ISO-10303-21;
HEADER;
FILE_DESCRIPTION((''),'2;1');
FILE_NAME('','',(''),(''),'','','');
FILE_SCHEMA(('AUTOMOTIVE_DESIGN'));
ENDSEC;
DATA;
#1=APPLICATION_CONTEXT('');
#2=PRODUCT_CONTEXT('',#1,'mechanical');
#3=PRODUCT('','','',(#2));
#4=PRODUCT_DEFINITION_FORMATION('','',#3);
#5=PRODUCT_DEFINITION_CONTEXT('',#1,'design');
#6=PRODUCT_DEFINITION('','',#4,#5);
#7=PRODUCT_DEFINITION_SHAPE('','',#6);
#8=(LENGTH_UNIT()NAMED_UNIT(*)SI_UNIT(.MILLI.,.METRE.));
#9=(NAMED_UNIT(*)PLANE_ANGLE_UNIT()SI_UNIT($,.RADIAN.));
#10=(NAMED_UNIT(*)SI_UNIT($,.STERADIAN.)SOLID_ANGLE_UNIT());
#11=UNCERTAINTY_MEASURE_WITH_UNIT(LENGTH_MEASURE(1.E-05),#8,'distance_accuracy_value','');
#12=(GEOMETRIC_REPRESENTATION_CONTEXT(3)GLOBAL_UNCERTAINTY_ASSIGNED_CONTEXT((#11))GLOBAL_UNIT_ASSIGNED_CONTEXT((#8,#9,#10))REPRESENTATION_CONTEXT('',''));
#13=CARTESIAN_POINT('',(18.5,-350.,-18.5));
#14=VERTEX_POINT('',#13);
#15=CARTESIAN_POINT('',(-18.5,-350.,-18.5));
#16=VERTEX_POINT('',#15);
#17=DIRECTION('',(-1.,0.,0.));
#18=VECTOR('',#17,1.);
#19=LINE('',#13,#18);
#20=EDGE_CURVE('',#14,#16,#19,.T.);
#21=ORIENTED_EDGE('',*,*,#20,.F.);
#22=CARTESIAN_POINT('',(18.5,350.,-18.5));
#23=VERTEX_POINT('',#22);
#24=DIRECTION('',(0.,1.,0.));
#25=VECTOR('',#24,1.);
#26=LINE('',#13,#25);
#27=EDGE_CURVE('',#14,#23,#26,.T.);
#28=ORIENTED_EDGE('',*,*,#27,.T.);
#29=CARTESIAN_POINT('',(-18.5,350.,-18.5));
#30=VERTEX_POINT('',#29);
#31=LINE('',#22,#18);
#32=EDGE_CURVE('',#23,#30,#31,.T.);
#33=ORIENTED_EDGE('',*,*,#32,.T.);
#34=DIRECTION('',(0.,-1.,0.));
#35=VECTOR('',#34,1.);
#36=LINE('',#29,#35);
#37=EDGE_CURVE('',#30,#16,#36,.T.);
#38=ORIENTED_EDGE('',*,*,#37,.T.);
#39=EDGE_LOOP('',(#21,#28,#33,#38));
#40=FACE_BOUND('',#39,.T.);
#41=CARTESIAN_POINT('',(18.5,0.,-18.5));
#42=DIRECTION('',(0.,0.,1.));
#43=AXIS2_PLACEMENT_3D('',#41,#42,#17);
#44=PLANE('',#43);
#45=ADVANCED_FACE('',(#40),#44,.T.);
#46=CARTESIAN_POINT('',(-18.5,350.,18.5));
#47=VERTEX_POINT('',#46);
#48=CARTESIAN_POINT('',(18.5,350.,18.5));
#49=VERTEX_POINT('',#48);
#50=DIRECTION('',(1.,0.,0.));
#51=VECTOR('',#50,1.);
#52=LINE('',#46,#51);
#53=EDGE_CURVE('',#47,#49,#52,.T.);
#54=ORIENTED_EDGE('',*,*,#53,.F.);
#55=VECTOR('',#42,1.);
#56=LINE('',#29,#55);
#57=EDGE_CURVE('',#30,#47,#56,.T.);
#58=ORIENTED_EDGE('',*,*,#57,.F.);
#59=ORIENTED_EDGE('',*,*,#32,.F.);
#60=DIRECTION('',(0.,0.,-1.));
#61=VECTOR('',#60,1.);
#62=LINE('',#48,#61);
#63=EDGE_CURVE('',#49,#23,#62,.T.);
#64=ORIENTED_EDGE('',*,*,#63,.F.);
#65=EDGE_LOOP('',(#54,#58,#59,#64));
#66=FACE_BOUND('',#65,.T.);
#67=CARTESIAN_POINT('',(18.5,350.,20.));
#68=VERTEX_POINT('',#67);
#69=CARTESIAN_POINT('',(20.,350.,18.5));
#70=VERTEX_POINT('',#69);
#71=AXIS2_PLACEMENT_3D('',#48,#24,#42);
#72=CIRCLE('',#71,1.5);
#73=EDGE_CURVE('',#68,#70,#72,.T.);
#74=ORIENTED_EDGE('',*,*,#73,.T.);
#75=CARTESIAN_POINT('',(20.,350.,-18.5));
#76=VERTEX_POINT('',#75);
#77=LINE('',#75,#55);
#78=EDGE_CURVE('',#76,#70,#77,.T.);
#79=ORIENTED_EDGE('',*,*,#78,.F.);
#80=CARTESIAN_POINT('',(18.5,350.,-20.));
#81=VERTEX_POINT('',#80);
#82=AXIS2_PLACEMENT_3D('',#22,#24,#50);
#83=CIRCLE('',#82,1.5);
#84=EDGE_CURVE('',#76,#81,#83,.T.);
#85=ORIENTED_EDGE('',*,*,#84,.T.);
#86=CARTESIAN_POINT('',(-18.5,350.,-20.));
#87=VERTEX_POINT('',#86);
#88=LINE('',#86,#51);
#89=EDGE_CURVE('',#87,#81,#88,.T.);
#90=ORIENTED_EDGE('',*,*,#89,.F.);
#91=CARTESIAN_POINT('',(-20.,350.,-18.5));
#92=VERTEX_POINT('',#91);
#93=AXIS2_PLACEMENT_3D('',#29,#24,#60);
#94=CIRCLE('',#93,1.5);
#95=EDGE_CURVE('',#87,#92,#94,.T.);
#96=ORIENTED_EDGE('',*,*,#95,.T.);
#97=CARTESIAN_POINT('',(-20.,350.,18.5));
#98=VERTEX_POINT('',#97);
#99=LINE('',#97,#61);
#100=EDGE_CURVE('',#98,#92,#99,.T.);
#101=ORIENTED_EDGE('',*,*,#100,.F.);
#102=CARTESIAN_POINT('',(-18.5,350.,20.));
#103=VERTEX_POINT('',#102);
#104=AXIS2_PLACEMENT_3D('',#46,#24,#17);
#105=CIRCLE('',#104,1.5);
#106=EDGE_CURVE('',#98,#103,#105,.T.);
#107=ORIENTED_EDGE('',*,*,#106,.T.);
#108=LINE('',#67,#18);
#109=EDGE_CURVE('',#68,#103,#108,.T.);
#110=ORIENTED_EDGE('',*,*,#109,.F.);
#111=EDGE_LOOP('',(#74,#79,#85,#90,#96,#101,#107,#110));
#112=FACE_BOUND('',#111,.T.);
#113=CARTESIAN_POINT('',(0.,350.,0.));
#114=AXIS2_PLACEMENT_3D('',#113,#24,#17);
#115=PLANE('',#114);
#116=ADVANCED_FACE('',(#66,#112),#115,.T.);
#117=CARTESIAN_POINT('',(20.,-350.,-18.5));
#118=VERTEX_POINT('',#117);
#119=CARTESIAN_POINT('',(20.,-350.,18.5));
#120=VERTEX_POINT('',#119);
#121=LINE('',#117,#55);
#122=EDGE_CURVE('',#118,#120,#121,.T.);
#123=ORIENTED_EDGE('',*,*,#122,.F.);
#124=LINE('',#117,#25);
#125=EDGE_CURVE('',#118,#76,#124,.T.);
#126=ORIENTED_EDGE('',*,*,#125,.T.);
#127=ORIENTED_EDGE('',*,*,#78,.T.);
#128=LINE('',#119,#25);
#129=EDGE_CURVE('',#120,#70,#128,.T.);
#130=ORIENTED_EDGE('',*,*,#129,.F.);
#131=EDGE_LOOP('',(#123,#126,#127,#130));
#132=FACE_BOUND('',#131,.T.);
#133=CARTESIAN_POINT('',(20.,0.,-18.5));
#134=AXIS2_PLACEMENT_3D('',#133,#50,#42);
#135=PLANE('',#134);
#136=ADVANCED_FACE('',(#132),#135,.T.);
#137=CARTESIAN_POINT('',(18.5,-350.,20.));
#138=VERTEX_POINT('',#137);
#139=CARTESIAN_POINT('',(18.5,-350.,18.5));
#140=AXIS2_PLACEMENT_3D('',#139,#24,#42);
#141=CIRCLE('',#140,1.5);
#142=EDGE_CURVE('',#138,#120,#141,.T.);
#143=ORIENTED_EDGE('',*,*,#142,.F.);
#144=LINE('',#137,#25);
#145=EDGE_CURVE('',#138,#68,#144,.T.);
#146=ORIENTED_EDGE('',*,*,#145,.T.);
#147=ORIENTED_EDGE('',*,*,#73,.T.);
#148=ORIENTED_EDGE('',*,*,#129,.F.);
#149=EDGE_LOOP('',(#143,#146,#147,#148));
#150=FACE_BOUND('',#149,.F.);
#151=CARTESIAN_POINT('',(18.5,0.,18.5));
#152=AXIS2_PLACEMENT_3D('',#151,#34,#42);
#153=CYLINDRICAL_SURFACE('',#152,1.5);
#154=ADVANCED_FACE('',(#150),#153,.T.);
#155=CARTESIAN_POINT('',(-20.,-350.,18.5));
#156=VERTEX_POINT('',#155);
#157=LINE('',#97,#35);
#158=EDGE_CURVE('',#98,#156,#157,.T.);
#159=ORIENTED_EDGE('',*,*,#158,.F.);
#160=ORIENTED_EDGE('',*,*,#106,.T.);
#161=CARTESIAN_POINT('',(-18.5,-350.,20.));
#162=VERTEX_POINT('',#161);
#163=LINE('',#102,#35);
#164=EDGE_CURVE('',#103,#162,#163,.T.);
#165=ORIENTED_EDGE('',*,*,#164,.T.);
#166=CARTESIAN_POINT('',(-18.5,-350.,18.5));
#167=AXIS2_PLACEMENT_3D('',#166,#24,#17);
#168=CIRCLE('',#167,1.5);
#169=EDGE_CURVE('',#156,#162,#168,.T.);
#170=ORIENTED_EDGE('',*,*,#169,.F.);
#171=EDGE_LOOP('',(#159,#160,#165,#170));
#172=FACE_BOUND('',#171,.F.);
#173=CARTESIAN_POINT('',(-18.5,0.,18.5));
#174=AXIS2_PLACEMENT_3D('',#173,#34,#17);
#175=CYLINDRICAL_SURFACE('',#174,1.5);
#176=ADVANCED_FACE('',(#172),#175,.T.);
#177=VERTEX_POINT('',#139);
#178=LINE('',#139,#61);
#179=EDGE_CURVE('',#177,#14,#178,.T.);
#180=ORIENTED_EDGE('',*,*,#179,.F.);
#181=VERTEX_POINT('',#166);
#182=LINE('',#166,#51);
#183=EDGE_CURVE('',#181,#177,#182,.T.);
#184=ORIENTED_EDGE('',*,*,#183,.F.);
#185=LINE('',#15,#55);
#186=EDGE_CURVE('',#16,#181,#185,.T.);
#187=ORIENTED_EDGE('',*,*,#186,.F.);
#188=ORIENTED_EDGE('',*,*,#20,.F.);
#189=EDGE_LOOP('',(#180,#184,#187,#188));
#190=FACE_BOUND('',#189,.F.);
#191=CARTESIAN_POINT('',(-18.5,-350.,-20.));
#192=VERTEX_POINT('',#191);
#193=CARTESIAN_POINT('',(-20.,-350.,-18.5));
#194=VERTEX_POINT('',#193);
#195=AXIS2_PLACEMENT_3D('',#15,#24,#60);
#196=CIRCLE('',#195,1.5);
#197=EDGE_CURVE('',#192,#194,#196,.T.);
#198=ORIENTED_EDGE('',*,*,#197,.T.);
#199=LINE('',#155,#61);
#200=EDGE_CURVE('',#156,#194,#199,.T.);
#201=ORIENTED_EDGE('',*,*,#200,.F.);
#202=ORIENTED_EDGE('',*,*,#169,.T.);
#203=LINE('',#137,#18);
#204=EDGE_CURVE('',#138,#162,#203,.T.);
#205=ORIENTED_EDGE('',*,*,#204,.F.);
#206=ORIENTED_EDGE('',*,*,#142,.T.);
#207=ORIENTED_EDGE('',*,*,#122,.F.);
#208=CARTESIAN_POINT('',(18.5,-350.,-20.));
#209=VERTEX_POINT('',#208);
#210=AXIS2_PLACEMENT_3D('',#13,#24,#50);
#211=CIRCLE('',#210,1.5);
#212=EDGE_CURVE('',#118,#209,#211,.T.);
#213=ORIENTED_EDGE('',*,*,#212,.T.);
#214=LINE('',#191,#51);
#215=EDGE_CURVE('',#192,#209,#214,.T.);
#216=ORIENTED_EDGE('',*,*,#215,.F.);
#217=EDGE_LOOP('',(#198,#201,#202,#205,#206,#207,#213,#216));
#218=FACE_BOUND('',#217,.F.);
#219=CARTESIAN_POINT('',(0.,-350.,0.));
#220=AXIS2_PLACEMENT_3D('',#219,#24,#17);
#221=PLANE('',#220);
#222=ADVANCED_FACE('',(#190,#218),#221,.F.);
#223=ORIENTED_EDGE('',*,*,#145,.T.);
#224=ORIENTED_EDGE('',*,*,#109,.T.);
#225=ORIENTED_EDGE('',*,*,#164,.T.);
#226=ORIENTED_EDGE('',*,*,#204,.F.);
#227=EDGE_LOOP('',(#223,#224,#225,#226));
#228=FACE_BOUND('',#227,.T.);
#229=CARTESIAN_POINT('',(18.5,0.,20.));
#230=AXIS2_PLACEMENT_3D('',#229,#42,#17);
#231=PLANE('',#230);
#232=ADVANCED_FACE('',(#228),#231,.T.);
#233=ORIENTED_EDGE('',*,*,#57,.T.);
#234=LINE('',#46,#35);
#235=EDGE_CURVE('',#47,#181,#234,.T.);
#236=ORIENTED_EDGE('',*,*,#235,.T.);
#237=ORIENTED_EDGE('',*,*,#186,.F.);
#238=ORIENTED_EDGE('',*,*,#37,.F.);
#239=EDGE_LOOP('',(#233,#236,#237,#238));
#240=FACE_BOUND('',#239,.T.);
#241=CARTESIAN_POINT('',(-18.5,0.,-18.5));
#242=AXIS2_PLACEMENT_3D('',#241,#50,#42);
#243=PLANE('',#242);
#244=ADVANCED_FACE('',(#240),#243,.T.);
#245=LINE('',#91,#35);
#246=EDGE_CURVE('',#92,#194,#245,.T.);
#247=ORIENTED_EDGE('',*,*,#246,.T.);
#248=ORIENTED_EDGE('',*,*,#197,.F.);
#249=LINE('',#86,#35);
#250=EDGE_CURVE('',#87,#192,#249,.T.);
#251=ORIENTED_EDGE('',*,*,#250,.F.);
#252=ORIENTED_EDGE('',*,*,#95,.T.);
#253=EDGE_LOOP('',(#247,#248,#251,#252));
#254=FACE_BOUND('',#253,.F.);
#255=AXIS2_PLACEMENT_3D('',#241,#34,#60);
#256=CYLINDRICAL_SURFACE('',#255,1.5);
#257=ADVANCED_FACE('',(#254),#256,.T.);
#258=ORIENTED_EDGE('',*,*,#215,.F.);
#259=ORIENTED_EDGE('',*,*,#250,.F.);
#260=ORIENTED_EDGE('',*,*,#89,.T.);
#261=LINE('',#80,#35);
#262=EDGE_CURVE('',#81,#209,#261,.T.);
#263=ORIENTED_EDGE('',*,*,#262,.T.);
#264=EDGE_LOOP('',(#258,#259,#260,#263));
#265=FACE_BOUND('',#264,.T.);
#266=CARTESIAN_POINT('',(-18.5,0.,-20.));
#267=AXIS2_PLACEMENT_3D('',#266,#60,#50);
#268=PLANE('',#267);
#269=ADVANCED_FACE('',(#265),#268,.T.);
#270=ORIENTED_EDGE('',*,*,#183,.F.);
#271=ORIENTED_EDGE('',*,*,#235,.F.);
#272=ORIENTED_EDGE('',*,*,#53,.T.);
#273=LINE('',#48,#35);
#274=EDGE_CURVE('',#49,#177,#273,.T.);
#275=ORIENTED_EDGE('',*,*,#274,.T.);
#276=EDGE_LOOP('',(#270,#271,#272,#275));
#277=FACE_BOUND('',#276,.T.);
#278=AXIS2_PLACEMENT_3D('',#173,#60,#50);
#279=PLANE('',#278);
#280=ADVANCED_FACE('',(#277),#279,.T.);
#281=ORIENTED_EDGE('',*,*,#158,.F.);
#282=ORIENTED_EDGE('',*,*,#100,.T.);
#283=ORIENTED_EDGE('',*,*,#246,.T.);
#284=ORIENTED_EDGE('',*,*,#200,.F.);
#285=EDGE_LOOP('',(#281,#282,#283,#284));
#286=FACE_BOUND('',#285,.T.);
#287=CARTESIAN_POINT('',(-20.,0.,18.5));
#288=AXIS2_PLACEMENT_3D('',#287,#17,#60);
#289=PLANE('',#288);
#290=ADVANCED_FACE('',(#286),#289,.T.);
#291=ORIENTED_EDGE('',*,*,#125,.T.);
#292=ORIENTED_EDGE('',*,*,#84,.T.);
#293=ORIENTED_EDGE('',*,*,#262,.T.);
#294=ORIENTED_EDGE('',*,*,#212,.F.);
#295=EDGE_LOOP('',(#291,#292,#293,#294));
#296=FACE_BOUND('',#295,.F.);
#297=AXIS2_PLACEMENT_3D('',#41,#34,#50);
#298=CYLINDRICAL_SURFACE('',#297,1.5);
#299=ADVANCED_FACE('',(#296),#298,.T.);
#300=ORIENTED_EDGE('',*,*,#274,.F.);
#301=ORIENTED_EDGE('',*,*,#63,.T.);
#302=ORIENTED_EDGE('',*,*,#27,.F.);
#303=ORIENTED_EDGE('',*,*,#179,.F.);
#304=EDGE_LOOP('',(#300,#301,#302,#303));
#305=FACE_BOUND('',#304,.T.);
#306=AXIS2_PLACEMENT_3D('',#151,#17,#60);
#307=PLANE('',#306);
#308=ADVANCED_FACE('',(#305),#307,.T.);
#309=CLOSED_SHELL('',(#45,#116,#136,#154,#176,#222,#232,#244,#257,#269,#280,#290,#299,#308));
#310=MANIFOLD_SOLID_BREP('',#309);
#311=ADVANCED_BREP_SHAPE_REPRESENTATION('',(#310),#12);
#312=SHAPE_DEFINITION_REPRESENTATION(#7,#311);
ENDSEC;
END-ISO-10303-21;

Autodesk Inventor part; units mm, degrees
ref_plane "YZ Plane" through (0, 0, 0) normal (1, 0, 0) x (0, 1, 0)
ref_plane "XZ Plane" through (0, 0, 0) normal (0, 1, 0) x (-1, 0, 0)
ref_plane "XY Plane" through (0, 0, 0) normal (0, 0, 1) x (1, 0, 0)
sketch "Esboço1" plane through (0, 0, 0) normal (0, 1, 0) x (-1, 0, 0)
  line L0 (-18.5, 20) -> (18.5, 20)
  line L1 (20, 18.5) -> (20, -18.5)
  line L2 (18.5, -20) -> (-18.5, -20)
  line L3 (-20, -18.5) -> (-20, 18.5)
  line L4 (-20, 20) -> (20, -20) construction
  line L5 (20, 20) -> (-20, -20) construction
  line L6 (-18.5, -18.5) -> (18.5, -18.5)
  line L7 (18.5, -18.5) -> (18.5, 18.5)
  line L8 (18.5, 18.5) -> (-18.5, 18.5)
  line L9 (-18.5, 18.5) -> (-18.5, -18.5)
  line L10 (-18.5, -18.5) -> (18.5, 18.5) construction
  line L11 (18.5, -18.5) -> (-18.5, 18.5) construction
  arc A0 (20, 18.5) -> (18.5, 20) centre (18.5, 18.5) ccw
  arc A1 (-18.5, 20) -> (-20, 18.5) centre (-18.5, 18.5) ccw
  arc A2 (-20, -18.5) -> (-18.5, -20) centre (-18.5, -18.5) ccw
  arc A3 (18.5, -20) -> (20, -18.5) centre (18.5, -18.5) ccw
  point P0 (0, 0)
  dimension "d0" = 40
  dimension "d1" = 40
  dimension "d2" = 1.5
  dimension "d3" = 1.5
extrude "Extrusão1" add sketch "Esboço1" along normal mid plane 700
equation "\"d3\" = d2"
properties part number "MSI-101" material "Aço inoxidável AISI 304"
